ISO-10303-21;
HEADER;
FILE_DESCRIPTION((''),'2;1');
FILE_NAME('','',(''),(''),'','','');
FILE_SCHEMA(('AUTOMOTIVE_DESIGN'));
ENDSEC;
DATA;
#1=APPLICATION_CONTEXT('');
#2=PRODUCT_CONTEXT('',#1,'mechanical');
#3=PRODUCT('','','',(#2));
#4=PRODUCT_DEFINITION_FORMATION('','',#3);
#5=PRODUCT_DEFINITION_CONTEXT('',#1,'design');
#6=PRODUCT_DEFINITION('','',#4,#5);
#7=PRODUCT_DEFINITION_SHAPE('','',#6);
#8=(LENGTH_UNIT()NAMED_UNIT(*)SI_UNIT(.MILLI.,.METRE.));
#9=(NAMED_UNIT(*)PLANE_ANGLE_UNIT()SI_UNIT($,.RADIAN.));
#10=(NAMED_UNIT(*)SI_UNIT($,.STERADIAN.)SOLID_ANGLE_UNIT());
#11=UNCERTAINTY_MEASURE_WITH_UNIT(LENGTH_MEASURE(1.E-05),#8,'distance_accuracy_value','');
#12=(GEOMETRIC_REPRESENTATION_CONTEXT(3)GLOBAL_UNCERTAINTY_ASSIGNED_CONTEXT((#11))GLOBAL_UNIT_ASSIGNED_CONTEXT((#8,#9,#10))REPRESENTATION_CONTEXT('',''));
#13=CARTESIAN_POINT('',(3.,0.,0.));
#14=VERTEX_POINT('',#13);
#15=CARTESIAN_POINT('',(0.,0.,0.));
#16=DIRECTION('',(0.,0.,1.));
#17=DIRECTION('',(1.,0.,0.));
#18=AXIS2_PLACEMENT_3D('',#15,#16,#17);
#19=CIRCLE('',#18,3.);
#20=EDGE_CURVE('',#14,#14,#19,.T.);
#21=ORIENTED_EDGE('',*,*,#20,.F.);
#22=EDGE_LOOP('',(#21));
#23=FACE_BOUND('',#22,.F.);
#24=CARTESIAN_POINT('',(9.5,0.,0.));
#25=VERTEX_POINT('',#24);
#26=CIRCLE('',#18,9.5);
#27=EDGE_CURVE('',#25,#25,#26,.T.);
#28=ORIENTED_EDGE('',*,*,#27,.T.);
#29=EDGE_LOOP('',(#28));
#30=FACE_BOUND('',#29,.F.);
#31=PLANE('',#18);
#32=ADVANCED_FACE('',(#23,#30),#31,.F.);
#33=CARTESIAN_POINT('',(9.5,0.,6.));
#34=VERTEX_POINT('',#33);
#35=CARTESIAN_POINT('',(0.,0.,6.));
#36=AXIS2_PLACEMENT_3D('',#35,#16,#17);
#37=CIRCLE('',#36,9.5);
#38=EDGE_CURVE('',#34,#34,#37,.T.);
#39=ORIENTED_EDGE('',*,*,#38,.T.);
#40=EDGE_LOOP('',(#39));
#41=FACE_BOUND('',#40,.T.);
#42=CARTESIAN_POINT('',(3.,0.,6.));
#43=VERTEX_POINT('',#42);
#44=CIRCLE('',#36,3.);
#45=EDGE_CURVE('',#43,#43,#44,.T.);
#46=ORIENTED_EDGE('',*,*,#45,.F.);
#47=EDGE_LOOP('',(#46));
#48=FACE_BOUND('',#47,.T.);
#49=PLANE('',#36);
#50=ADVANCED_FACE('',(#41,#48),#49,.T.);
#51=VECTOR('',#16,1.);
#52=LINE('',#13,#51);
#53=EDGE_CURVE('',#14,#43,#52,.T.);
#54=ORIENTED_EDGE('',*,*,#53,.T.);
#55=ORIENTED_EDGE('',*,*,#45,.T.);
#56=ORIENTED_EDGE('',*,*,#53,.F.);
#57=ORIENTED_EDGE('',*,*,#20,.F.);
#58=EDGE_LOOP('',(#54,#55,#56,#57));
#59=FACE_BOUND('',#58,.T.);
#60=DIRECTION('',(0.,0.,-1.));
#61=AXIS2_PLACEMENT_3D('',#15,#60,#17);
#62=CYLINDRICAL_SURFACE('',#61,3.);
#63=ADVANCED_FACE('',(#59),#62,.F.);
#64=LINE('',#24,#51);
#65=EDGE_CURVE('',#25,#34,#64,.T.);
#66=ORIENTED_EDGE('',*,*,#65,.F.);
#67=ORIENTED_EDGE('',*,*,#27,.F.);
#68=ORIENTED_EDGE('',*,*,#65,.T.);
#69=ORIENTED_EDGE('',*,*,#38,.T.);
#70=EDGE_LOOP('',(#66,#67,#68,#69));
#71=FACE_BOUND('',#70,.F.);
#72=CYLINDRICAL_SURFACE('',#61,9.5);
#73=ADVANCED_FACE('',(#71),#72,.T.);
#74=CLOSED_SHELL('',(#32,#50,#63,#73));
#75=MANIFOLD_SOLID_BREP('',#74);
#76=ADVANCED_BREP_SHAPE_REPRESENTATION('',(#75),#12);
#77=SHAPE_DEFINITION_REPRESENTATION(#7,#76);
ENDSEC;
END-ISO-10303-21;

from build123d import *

# Parameters (mm, degrees)
SKETCH_R   = 9.5
SKETCH_R_2 = 3
PAD_DEPTH  = 6


with BuildPart() as part:
    # Sketch → Pad (new body)
    with BuildSketch(Plane.XY):
        Circle(SKETCH_R)
        Circle(SKETCH_R_2, mode=Mode.SUBTRACT)
    extrude(amount=PAD_DEPTH)


solid = part.part
